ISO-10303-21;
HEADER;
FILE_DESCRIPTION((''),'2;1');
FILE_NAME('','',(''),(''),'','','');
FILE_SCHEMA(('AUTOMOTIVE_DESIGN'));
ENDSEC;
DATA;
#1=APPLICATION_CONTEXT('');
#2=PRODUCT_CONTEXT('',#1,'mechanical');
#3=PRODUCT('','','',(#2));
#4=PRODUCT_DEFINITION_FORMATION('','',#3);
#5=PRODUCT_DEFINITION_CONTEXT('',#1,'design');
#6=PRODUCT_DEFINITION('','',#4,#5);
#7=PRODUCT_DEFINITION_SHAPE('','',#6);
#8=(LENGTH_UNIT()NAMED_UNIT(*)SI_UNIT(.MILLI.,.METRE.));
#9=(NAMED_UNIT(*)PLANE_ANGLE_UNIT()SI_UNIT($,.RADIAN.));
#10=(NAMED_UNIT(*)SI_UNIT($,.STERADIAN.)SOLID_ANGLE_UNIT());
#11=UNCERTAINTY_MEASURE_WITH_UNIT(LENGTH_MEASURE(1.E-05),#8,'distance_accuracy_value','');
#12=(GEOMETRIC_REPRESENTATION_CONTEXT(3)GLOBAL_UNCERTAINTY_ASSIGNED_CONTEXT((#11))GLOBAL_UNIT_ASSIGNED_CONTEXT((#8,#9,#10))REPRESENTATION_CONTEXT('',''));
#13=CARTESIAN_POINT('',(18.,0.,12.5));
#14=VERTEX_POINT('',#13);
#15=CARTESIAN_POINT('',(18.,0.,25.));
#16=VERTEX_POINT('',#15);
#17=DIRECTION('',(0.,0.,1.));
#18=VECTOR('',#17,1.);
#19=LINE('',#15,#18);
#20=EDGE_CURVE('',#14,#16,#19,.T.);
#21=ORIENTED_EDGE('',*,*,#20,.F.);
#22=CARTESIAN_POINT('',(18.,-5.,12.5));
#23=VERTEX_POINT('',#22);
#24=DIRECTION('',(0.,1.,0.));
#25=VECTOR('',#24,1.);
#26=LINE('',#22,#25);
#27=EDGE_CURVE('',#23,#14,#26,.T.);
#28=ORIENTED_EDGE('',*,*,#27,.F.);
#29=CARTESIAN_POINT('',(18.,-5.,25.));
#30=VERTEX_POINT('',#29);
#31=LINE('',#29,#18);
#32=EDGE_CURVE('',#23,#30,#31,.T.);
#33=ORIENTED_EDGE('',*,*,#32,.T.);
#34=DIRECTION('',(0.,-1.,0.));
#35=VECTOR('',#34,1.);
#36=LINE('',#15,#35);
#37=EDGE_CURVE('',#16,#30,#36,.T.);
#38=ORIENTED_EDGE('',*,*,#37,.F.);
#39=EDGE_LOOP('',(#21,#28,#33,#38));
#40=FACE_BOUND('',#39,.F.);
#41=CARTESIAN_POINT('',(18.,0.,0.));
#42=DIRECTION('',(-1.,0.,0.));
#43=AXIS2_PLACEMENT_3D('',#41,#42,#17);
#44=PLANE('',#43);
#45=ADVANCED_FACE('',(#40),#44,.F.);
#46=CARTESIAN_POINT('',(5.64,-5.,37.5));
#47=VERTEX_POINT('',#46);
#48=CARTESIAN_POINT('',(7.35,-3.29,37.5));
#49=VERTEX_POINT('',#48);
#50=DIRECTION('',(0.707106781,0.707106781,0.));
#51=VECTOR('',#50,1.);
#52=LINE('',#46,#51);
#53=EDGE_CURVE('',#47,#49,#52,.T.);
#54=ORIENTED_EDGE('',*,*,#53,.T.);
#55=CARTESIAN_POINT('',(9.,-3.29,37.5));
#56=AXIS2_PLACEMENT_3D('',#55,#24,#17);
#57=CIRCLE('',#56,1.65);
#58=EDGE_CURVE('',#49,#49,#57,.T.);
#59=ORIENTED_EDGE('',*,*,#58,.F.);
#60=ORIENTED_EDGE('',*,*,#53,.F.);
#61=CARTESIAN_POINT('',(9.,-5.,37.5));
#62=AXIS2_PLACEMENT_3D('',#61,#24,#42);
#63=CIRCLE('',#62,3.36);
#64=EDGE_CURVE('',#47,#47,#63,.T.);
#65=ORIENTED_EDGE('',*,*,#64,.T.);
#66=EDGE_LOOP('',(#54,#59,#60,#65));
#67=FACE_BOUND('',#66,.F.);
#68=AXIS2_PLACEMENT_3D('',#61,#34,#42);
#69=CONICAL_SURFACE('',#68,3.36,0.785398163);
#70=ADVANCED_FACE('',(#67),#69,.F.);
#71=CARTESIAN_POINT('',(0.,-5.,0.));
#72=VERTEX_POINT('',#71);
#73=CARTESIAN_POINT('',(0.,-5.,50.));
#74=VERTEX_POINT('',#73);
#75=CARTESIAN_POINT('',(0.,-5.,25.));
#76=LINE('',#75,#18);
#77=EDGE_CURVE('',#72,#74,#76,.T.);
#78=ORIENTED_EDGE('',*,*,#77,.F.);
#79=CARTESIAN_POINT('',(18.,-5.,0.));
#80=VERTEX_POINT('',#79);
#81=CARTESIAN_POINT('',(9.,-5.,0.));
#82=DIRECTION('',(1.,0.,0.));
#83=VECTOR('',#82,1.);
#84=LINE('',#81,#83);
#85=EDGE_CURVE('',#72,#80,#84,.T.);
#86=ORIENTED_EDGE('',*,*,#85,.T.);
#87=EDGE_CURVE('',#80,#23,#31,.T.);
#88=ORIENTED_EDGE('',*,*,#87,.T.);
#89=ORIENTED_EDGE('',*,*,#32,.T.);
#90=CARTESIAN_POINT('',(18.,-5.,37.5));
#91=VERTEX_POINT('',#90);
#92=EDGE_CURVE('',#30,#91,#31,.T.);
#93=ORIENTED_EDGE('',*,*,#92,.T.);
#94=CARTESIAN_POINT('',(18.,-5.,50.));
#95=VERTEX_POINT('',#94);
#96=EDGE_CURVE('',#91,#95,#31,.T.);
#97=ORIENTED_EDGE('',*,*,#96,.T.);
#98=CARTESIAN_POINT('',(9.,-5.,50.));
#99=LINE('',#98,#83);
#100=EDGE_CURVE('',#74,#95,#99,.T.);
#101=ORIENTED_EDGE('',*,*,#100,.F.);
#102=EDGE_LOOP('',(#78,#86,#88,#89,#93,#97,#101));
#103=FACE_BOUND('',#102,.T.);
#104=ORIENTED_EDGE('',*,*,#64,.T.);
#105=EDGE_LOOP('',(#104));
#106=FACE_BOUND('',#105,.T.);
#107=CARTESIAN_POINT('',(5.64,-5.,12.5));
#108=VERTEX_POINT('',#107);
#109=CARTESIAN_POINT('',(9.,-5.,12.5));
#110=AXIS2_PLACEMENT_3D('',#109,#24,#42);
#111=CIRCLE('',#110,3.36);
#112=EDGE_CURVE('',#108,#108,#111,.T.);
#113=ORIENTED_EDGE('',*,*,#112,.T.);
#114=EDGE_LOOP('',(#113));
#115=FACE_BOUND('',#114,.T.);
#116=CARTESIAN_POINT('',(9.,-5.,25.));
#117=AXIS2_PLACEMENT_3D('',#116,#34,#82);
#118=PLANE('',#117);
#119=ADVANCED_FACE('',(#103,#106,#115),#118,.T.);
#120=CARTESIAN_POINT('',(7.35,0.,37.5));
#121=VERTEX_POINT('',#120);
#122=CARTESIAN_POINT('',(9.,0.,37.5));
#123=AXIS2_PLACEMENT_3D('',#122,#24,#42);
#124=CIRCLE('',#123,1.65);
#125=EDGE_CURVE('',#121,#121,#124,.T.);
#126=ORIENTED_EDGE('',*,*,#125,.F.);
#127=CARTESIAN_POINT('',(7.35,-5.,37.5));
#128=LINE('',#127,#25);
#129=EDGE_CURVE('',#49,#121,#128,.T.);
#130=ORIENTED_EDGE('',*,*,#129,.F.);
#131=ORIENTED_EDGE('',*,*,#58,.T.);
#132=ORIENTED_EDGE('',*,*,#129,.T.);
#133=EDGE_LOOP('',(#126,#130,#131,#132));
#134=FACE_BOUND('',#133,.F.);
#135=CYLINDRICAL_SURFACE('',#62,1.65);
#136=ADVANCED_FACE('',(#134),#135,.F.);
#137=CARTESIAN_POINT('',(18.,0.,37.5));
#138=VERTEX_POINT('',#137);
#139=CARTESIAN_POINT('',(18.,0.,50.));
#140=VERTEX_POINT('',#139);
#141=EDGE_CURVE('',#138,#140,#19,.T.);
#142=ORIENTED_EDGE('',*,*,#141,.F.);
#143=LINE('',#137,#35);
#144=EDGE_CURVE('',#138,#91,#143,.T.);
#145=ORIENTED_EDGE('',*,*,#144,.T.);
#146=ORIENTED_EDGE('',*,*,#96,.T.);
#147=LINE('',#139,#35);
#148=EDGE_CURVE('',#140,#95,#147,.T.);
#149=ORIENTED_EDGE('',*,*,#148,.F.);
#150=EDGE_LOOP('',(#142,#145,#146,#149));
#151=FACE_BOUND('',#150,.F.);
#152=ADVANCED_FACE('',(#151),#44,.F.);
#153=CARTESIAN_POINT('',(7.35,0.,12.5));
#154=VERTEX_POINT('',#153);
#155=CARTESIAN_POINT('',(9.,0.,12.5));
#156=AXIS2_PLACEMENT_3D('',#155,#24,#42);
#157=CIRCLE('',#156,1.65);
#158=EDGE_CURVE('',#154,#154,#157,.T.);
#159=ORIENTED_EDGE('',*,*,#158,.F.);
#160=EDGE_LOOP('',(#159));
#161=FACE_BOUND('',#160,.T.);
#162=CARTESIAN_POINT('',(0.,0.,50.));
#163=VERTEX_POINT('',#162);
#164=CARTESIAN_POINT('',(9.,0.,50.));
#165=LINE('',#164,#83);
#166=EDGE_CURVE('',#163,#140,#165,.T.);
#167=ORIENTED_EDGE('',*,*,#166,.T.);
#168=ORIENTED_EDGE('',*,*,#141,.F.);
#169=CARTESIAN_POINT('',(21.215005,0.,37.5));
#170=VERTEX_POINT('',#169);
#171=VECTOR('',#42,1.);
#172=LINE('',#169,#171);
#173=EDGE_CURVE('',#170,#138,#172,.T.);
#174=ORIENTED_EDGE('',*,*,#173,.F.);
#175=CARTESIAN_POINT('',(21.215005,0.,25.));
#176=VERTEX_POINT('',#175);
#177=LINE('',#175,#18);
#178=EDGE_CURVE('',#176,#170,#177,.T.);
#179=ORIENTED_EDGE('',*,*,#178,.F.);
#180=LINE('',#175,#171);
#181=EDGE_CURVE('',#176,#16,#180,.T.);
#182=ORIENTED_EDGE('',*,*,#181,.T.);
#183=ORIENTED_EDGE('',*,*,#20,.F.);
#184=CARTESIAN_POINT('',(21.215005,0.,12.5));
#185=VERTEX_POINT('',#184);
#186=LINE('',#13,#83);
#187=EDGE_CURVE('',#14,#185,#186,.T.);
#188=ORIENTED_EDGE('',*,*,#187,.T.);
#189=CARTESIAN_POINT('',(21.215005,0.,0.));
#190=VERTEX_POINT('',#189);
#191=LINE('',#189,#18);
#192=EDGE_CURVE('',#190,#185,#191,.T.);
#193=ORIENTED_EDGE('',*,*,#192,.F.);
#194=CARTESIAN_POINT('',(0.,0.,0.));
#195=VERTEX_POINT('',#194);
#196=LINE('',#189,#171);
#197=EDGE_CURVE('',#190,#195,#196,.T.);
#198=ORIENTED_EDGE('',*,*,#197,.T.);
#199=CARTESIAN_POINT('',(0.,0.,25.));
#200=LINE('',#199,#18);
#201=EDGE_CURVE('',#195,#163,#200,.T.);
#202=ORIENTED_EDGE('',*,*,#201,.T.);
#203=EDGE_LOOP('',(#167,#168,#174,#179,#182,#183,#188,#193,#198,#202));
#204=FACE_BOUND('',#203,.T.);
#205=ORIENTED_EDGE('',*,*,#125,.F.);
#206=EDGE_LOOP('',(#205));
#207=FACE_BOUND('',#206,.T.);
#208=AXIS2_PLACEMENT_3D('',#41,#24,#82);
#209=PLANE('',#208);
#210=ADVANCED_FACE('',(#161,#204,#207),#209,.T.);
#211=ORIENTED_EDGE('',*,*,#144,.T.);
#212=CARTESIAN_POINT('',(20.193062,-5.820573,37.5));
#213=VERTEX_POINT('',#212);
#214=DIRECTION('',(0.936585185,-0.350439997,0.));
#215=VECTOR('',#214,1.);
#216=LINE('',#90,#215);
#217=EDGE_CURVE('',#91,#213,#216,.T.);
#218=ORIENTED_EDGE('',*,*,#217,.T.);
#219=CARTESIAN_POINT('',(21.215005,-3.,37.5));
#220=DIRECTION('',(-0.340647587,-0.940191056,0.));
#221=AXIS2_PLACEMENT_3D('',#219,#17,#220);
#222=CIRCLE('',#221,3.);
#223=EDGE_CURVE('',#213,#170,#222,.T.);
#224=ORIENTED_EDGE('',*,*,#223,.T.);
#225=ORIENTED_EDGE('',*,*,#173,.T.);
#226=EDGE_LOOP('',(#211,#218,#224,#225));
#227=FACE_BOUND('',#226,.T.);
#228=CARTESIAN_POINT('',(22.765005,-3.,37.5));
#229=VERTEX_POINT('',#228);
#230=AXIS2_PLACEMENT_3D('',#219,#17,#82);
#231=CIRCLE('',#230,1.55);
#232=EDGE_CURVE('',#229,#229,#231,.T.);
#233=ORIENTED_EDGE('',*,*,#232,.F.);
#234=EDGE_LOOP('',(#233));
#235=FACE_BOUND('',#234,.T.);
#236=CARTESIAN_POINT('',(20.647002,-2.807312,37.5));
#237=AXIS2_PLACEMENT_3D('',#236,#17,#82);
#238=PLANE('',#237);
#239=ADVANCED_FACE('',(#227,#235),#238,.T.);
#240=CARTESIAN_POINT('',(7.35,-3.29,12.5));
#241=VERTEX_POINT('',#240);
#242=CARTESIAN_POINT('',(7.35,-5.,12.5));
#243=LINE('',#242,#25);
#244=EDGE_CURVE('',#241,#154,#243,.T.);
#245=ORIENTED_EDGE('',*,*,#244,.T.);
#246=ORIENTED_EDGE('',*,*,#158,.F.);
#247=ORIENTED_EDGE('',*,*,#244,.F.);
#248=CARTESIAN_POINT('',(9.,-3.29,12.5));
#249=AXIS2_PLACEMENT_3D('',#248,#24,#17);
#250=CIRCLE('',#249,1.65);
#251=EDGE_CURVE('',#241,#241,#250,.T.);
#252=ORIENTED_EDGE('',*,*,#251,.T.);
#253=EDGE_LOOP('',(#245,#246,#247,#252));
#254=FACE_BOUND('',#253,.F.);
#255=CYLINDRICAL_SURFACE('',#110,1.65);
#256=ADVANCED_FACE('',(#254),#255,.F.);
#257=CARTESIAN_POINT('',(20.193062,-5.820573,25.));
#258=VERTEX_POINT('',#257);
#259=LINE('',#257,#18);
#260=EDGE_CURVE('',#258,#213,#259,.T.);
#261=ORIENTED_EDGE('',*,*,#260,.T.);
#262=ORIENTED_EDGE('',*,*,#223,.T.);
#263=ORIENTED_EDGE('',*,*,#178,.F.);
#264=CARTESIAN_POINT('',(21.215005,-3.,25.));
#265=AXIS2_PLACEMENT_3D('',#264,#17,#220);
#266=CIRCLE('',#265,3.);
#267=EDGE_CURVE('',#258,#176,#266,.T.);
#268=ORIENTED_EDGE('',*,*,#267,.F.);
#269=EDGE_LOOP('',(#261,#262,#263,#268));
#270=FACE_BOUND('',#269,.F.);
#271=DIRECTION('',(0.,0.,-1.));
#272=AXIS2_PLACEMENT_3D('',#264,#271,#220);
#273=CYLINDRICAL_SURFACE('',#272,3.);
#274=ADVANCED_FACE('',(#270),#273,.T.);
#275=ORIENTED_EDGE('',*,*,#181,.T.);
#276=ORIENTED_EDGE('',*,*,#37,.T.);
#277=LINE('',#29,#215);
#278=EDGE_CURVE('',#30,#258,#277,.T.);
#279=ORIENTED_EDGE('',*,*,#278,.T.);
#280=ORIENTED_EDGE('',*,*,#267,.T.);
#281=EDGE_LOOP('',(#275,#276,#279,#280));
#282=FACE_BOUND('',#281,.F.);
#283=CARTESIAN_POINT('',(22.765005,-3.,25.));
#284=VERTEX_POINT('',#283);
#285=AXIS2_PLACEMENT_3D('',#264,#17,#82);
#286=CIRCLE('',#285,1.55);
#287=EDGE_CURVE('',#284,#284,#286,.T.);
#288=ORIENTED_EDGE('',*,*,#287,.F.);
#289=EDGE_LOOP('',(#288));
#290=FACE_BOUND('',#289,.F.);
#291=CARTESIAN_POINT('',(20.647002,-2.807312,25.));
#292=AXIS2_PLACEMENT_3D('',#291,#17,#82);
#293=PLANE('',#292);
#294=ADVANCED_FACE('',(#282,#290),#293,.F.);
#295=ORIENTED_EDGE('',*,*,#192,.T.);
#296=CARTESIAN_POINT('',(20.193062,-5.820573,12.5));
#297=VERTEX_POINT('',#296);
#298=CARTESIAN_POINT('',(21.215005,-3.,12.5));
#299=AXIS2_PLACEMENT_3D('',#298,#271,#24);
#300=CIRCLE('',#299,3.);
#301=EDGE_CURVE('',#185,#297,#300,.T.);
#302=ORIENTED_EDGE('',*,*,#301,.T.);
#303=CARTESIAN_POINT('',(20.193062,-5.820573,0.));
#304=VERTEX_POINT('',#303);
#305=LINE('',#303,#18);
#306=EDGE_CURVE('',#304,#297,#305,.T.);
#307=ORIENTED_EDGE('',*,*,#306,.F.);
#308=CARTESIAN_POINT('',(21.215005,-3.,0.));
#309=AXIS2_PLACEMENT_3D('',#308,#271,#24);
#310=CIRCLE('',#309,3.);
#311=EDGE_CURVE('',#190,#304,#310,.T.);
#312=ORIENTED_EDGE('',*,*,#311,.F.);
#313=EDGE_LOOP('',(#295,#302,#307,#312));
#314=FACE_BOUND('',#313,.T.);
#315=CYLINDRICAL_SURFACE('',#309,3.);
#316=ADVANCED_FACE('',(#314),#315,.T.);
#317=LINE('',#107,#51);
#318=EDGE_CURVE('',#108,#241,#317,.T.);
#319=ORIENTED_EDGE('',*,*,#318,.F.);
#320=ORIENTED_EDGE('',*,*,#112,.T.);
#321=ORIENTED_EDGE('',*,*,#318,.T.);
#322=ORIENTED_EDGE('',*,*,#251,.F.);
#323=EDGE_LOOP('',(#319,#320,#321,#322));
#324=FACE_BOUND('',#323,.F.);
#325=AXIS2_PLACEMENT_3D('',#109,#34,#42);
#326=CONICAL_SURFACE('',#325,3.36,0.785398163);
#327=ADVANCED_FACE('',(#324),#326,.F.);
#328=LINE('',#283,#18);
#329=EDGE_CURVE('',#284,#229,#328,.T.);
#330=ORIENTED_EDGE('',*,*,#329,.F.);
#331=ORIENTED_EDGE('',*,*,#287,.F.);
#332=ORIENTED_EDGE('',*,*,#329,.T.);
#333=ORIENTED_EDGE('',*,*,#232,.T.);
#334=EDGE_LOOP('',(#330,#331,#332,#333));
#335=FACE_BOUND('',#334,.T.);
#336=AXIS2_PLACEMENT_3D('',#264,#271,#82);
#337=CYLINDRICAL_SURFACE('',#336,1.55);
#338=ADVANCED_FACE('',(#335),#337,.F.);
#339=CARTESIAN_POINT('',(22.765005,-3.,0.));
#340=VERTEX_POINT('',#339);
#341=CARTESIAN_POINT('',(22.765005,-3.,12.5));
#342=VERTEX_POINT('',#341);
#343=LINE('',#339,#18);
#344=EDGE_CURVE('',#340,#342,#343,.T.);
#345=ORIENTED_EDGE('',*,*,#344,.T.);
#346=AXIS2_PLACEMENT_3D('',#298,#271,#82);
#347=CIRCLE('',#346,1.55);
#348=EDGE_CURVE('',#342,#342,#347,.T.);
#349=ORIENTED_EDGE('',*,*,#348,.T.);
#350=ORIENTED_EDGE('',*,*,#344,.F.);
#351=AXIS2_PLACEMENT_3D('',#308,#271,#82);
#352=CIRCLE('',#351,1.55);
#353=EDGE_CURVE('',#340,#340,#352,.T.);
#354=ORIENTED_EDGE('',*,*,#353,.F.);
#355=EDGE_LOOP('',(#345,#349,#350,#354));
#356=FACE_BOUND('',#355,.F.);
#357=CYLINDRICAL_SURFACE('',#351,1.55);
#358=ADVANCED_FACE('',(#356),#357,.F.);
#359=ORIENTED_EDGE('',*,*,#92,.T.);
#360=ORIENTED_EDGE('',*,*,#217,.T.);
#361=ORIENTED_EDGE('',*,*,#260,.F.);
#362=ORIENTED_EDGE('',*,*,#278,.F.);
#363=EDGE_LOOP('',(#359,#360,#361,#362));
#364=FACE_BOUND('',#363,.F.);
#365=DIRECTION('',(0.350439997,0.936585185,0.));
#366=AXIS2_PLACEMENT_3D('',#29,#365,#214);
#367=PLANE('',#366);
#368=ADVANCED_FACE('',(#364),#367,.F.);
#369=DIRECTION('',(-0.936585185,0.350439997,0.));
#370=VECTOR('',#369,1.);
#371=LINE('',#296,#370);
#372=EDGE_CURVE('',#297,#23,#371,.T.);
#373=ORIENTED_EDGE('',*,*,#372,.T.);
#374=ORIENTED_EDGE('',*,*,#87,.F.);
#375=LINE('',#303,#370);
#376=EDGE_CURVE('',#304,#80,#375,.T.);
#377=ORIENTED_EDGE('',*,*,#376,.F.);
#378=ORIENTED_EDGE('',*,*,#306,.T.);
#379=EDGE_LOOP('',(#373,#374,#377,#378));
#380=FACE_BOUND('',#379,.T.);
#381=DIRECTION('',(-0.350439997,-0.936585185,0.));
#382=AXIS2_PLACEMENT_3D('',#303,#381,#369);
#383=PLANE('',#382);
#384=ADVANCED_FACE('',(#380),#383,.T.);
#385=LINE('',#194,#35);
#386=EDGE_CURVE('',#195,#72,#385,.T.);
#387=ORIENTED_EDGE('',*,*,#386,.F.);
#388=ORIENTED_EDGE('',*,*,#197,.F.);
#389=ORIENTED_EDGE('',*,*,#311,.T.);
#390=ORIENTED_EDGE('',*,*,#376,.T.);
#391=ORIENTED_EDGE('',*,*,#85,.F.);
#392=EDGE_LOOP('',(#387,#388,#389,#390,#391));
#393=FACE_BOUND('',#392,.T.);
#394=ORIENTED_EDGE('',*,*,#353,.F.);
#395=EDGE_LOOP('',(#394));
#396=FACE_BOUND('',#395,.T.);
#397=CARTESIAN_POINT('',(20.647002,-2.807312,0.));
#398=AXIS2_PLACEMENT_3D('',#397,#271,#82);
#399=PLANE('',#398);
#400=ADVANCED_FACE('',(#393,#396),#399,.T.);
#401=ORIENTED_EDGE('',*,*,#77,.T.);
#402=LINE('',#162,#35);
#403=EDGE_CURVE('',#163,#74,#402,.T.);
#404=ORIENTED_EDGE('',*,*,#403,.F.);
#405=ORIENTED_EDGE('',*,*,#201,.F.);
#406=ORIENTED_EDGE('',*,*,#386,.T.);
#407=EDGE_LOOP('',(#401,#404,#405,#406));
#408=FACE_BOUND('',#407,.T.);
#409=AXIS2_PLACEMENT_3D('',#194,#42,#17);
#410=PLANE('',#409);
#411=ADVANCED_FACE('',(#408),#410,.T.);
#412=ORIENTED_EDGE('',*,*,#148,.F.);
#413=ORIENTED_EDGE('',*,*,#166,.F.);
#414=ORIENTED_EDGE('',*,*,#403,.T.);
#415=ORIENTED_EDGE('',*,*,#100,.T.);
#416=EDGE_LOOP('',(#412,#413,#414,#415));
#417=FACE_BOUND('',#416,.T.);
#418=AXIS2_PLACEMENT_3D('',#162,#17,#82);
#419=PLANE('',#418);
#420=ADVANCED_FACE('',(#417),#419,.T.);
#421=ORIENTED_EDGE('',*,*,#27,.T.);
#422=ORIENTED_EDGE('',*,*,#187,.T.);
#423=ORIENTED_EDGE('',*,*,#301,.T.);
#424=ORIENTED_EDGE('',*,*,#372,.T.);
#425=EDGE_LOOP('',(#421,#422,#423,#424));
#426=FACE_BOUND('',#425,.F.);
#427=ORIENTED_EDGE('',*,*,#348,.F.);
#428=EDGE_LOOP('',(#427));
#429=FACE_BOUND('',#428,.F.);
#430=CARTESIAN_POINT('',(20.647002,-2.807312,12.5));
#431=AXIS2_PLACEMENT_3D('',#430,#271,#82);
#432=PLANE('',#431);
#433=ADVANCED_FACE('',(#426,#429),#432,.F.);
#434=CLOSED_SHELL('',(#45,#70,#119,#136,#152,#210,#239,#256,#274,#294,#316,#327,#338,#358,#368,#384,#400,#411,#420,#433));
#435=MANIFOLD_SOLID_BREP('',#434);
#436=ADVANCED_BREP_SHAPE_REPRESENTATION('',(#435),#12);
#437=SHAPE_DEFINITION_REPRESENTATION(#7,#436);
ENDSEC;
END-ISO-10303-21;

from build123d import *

# Parameters (mm, degrees)
F0_W           = 18
F0_H           = 50
F1_DEPTH       = 5
F2_R           = 1.55
F3_DEPTH       = 12.5
F5_R           = 1.55
F6_DEPTH       = 12.5
F8_D           = 3.3
F8_DEPTH       = 40
F8_CSINK_D     = 6.72
F8_CSINK_ANGLE = 90
F8_TIP         = 0.9914200214


with BuildPart() as f1:
    # F0 (on Front) → F1 (new body)
    with BuildSketch(Plane.XZ):
        with Locations((9, 25)):
            Rectangle(F0_W, F0_H)
    extrude(amount=F1_DEPTH)

    # F2 (on face) → F3 (join)
    with BuildSketch(Plane(origin=(0, 0, 0), x_dir=(1, 0, 0), z_dir=(0, 0, -1))):
        with BuildLine():
            Line((18, 0), (21.2150048465, 0))
            ThreePointArc((21.2150048465, 0), (24.1698076743, 3.5187872861), (20.1930620863, 5.8205731678))
            Line((20.1930620863, 5.8205731678), (18, 5))
            Line((18, 5), (18, 0))
        make_face()
        with Locations((21.2150048465, 3)):
            Circle(F2_R, mode=Mode.SUBTRACT)
    extrude(amount=-F3_DEPTH)

    # F5 (on offset) → F6 (join)
    with BuildSketch(Plane.XY.offset(25)):
        with BuildLine():
            Line((18, 0), (18, -5))
            Line((18, -5), (20.1930620863, -5.8205731678))
            ThreePointArc((20.1930620863, -5.8205731678), (24.1698076743, -3.5187872861), (21.2150048465, 0))
            Line((21.2150048465, 0), (18, 0))
        make_face()
        with Locations((21.2150048465, -3)):
            Circle(F5_R, mode=Mode.SUBTRACT)
    extrude(amount=F6_DEPTH)

    # F8
    with Locations(Plane.XZ.offset(5)):
        with Locations((9, 37.5), (9, 12.5)):
            CounterSinkHole(F8_D / 2, F8_CSINK_D / 2, depth=F8_DEPTH, counter_sink_angle=F8_CSINK_ANGLE)
            with Locations((0, 0, -(F8_DEPTH + F8_TIP / 2))):  # 118° drill point
                Cone(0, F8_D / 2, F8_TIP, mode=Mode.SUBTRACT)


solid = f1.part
